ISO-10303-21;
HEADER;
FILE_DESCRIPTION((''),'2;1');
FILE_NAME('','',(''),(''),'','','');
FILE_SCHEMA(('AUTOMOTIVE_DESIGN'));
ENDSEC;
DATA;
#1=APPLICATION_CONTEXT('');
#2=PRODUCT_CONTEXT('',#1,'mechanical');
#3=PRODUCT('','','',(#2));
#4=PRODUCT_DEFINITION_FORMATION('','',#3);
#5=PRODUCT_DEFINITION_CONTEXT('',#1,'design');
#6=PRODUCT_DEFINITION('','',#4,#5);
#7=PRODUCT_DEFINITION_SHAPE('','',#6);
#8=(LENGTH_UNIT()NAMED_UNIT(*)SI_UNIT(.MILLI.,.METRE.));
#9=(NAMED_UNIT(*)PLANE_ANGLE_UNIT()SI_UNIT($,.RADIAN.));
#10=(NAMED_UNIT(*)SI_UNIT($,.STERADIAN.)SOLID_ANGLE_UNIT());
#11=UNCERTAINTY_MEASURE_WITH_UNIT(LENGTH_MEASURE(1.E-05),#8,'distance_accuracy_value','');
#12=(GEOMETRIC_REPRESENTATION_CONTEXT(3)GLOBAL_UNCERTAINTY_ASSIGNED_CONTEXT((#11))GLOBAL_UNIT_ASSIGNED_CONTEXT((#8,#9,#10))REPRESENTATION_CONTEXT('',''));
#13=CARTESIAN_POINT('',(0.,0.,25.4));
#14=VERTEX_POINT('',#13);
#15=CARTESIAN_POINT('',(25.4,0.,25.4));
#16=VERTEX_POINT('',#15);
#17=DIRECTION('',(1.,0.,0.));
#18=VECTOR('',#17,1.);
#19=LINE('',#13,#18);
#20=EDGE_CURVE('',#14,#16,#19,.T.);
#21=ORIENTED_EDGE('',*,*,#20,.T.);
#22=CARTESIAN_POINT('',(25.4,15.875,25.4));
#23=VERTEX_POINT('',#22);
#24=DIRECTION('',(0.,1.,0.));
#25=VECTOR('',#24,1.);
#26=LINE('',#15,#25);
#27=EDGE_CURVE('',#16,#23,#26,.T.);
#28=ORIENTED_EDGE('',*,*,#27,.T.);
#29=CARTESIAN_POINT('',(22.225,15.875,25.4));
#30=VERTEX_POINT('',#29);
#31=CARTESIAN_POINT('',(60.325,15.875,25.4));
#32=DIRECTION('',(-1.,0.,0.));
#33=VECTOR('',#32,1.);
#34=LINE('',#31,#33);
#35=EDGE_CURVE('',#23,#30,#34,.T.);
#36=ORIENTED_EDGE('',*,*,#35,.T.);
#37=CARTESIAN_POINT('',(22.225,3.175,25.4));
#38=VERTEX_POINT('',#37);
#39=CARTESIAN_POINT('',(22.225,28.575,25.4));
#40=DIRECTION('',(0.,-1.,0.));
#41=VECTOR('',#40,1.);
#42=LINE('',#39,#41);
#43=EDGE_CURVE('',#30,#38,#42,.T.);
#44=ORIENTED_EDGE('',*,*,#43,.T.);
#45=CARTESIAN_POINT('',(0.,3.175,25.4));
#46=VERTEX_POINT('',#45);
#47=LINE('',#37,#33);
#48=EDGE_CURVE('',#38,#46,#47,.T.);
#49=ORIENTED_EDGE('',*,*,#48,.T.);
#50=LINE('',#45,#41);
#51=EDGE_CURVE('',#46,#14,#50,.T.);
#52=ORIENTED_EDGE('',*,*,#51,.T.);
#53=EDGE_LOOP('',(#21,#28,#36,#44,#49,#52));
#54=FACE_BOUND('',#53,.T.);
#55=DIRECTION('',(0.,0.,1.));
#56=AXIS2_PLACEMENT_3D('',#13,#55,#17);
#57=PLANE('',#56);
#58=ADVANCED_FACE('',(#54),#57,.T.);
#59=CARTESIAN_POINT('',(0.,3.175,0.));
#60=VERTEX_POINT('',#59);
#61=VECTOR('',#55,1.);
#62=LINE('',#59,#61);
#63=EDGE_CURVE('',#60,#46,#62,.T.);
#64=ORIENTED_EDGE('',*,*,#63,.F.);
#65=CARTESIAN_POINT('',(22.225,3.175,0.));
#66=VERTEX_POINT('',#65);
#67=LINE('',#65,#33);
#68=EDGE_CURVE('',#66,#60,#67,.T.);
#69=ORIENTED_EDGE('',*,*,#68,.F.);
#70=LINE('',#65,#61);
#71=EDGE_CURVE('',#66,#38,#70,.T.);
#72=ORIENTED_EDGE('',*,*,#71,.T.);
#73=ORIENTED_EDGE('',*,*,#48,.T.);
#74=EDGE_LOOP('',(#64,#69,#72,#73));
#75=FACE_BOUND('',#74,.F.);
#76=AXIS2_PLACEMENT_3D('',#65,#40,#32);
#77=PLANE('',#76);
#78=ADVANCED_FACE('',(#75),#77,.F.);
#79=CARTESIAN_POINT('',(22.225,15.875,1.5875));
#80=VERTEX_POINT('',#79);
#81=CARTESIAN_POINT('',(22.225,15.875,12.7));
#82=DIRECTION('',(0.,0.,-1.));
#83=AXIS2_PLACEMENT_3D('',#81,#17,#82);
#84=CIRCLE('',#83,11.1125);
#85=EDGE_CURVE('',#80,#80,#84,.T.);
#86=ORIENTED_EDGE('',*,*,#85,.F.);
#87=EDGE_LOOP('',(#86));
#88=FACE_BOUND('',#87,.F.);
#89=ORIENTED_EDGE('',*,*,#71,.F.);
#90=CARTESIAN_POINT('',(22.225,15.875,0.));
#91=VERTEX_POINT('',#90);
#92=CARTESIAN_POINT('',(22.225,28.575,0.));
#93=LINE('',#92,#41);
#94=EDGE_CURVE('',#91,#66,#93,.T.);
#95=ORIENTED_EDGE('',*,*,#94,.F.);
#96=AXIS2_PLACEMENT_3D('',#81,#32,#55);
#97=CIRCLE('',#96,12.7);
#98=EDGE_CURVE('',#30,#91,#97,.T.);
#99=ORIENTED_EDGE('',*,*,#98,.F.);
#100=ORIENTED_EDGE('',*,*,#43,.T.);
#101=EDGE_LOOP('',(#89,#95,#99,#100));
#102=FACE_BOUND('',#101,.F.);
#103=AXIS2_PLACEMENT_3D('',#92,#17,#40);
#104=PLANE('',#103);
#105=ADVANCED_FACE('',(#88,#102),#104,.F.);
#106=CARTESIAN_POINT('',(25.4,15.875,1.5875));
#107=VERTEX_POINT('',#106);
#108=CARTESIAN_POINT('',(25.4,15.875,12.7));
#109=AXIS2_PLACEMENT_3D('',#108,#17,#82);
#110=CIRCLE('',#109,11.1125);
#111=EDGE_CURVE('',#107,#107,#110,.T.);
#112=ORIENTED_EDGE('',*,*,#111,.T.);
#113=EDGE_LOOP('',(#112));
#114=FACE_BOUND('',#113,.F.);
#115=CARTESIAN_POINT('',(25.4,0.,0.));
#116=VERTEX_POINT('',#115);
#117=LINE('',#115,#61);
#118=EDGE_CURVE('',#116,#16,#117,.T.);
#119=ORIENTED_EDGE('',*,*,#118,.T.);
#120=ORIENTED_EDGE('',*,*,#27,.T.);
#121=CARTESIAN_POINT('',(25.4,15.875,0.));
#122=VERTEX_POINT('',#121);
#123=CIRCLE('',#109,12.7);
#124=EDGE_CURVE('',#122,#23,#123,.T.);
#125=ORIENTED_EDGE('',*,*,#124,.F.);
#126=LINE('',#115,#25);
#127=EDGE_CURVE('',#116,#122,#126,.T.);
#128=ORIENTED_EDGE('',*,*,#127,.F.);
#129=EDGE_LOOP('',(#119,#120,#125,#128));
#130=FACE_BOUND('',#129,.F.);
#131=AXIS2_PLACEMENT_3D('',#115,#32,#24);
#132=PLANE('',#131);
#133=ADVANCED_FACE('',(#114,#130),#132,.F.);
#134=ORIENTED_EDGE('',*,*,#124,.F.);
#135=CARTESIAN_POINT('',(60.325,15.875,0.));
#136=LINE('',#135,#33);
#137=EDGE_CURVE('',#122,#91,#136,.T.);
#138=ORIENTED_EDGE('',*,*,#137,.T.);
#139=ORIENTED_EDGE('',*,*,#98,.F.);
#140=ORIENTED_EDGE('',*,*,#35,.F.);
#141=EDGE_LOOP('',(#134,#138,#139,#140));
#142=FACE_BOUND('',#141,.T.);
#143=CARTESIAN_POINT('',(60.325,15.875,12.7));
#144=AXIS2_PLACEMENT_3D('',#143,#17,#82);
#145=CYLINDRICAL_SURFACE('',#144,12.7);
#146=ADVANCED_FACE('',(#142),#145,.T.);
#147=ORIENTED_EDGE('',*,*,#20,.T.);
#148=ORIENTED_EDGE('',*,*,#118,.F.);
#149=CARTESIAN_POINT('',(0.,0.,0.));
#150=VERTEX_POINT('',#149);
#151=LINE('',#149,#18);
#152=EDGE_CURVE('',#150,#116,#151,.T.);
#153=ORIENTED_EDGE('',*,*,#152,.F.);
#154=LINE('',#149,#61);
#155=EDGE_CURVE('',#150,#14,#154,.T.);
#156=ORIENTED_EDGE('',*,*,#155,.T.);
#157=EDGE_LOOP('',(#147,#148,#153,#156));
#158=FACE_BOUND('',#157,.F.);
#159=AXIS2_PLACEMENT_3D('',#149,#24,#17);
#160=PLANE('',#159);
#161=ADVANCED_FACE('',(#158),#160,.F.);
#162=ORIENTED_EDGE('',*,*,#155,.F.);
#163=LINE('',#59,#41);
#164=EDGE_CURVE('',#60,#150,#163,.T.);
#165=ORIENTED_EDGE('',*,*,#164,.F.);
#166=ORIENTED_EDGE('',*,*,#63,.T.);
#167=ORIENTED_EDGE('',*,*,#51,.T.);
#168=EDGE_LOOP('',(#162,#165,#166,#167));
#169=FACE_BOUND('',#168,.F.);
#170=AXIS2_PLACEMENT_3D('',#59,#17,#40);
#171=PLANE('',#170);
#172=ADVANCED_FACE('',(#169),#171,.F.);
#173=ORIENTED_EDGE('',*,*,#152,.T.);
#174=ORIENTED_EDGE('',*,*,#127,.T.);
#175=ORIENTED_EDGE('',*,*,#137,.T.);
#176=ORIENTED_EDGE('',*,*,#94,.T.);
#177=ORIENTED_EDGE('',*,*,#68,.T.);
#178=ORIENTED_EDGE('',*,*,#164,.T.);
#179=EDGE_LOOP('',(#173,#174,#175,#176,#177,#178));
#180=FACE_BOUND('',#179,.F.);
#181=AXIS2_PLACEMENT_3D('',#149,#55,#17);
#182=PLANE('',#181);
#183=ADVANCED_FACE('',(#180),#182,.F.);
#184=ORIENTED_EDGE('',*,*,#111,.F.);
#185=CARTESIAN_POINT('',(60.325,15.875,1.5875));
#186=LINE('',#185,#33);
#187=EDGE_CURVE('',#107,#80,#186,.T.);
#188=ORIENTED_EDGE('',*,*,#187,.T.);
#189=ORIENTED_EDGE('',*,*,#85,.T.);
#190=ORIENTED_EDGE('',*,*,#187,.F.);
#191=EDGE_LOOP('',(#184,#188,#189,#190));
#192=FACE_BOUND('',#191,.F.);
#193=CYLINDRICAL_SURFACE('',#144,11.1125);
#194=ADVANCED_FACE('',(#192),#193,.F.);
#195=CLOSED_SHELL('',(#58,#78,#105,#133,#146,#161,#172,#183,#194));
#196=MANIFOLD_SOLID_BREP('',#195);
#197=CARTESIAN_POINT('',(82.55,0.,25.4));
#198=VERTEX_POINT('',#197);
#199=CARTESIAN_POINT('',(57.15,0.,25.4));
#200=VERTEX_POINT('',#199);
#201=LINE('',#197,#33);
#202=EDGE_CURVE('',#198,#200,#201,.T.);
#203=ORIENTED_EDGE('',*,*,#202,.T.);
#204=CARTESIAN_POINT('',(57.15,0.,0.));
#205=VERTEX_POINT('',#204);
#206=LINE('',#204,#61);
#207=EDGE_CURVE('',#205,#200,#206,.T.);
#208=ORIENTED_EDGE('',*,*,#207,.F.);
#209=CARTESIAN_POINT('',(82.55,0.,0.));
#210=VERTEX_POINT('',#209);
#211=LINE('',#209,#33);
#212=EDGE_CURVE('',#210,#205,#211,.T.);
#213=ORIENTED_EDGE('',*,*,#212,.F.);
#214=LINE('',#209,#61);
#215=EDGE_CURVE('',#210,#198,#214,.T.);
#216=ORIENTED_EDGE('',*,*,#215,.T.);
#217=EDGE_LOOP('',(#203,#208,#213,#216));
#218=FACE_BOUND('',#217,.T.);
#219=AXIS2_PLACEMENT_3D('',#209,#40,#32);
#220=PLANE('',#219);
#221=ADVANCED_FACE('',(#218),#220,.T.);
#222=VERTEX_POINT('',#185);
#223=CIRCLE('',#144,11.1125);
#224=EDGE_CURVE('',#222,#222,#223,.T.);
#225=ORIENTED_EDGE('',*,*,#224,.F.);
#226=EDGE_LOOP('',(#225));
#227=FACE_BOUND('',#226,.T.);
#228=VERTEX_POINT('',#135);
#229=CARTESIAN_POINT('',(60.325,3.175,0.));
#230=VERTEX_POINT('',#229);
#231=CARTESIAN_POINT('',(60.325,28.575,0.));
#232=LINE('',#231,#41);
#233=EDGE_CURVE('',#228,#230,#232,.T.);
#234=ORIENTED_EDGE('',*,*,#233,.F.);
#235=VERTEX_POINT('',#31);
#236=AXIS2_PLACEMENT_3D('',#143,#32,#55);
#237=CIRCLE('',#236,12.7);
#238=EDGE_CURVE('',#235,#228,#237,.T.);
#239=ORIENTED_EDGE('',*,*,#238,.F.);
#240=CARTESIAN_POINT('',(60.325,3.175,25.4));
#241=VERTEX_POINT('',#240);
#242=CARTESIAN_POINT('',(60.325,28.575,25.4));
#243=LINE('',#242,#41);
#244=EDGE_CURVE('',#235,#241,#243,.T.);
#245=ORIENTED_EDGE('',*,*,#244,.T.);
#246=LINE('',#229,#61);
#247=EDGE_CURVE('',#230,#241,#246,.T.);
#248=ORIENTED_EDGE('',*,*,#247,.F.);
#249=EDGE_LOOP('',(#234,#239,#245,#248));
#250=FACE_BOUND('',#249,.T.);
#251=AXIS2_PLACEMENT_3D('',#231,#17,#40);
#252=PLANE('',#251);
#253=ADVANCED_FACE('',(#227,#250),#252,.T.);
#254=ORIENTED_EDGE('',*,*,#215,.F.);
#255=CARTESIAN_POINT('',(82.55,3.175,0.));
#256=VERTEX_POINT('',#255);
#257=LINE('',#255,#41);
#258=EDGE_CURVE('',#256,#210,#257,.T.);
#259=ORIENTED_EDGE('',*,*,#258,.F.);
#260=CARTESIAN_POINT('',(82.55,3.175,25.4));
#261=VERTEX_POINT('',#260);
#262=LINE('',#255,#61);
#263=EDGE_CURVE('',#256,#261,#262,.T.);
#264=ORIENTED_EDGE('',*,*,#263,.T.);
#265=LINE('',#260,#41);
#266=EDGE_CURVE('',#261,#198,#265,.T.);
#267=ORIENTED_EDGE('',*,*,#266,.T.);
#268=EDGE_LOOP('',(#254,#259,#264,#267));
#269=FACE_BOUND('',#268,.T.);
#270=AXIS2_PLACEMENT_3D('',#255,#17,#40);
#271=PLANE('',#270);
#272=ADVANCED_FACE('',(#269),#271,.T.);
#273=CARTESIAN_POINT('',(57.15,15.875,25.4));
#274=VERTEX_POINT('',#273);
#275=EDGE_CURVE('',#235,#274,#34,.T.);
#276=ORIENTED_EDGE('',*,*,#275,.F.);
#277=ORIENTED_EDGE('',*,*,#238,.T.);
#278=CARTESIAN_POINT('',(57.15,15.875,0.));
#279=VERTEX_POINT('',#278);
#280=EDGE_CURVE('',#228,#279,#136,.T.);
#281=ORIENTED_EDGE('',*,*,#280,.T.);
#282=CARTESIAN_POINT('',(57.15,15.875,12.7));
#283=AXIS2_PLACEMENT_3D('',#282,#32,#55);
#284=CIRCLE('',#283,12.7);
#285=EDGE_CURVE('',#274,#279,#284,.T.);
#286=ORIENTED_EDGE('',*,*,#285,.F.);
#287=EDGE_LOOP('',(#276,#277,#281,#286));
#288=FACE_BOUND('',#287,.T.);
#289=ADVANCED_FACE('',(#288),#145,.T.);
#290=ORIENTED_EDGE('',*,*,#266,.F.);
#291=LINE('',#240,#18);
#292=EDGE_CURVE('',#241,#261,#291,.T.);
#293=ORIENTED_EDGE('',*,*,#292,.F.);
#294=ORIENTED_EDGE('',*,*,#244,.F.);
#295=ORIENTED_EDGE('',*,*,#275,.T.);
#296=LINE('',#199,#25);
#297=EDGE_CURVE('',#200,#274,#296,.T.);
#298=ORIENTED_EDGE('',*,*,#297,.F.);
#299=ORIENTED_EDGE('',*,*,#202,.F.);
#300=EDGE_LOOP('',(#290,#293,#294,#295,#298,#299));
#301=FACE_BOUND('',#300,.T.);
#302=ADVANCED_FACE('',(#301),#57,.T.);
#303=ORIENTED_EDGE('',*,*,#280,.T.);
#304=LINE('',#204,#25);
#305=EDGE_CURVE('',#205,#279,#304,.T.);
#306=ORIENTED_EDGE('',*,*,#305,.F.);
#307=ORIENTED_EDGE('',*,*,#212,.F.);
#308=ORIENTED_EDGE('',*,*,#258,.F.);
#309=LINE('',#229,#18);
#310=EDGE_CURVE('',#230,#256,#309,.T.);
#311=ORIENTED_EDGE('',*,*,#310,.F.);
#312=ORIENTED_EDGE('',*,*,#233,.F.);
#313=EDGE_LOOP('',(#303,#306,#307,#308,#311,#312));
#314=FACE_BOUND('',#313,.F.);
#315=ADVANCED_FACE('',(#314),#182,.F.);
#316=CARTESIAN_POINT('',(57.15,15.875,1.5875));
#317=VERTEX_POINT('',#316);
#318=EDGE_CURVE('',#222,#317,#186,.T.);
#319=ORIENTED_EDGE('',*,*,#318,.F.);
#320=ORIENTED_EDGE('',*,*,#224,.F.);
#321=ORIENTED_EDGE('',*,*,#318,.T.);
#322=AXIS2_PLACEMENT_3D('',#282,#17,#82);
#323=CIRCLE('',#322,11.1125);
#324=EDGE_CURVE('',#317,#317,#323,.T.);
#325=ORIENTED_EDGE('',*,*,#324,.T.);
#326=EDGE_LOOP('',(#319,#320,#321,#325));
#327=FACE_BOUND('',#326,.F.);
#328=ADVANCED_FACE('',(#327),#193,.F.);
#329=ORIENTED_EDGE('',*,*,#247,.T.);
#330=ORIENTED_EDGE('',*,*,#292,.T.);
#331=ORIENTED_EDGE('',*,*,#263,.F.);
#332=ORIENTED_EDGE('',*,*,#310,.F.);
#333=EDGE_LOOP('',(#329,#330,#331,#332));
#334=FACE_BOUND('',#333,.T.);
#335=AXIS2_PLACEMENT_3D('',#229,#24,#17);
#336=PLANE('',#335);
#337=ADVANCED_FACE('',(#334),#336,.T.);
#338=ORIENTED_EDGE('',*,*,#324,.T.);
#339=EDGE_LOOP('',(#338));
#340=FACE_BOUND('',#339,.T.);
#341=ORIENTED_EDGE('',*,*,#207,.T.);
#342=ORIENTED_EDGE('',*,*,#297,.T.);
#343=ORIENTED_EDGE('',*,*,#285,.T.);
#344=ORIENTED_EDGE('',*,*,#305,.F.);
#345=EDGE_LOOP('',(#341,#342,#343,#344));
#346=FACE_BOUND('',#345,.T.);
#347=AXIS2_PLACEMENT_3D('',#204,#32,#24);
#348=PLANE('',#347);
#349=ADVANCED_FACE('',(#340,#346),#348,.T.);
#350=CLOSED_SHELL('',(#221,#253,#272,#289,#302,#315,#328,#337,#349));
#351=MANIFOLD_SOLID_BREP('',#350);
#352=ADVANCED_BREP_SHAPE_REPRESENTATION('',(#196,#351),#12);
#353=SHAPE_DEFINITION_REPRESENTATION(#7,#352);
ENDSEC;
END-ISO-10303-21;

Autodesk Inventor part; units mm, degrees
ref_plane "YZ Plane" through (0, 0, 0) normal (1, 0, 0) x (0, 1, 0)
ref_plane "XZ Plane" through (0, 0, 0) normal (0, 1, 0) x (-1, 0, 0)
ref_plane "XY Plane" through (0, 0, 0) normal (0, 0, 1) x (1, 0, 0)
sketch "Sketch1" plane through (0, 0, 0) normal (0, 0, 1) x (1, 0, 0)
  line L0 (0, 0) -> (25.4, 0)
  line L1 (25.4, 0) -> (25.4, 28.575)
  line L2 (25.4, 28.575) -> (22.225, 28.575)
  line L3 (0, 3.175) -> (0, 0)
  line L4 (22.225, 28.575) -> (22.225, 3.175)
  line L5 (22.225, 3.175) -> (0, 3.175)
  line L6 (41.275, 28.575) -> (41.275, 0) construction
  line L7 (82.55, 0) -> (57.15, 0)
  line L8 (57.15, 0) -> (57.15, 28.575)
  line L9 (57.15, 28.575) -> (60.325, 28.575)
  line L10 (82.55, 3.175) -> (82.55, 0)
  line L11 (60.325, 28.575) -> (60.325, 3.175)
  line L12 (60.325, 3.175) -> (82.55, 3.175)
  dimension "d0" = 3.175
  dimension "d1" = 3.175
  dimension "d2" = 25.4
  dimension "d3" = 28.575
  dimension "d4" = 15.875
extrude "Extrusion1" add sketch "Sketch1" along normal blind 25.4
sketch "Sketch2" plane through (60.325, 3.175, 0) normal (1, 0, 0) x (0, 0, -1)
  line L0 (-25.4, 25.4) -> (-25.4, 0) projected
  line L1 (0, 0) -> (-25.4, 0) projected
  line L2 (0, 0) -> (0, 25.4) projected
  line L3 (0, 25.4) -> (-25.4, 25.4) projected
  line L4 (0, -3.175) -> (-25.4, -3.175) projected
  line L5 (-25.4, 0) -> (-25.4, -3.175) projected
  line L6 (0, -3.175) -> (0, 0) projected
  circle A0 centre (-12.7, 12.7) radius 11.1125
  arc A1 (0, 12.7) -> (-25.4, 12.7) centre (-12.7, 12.7) ccw
  dimension "d7" = 22.225
  dimension "d8" = 15.875
  dimension "d9" = 12.7
extrude "Extrusion2" cut sketch "Sketch2" against normal through all contours L3 A1 L0 | L3 L2 A1 | A0
equation "\"d1\" = d0"
properties part number "8 ball arm pivot"
